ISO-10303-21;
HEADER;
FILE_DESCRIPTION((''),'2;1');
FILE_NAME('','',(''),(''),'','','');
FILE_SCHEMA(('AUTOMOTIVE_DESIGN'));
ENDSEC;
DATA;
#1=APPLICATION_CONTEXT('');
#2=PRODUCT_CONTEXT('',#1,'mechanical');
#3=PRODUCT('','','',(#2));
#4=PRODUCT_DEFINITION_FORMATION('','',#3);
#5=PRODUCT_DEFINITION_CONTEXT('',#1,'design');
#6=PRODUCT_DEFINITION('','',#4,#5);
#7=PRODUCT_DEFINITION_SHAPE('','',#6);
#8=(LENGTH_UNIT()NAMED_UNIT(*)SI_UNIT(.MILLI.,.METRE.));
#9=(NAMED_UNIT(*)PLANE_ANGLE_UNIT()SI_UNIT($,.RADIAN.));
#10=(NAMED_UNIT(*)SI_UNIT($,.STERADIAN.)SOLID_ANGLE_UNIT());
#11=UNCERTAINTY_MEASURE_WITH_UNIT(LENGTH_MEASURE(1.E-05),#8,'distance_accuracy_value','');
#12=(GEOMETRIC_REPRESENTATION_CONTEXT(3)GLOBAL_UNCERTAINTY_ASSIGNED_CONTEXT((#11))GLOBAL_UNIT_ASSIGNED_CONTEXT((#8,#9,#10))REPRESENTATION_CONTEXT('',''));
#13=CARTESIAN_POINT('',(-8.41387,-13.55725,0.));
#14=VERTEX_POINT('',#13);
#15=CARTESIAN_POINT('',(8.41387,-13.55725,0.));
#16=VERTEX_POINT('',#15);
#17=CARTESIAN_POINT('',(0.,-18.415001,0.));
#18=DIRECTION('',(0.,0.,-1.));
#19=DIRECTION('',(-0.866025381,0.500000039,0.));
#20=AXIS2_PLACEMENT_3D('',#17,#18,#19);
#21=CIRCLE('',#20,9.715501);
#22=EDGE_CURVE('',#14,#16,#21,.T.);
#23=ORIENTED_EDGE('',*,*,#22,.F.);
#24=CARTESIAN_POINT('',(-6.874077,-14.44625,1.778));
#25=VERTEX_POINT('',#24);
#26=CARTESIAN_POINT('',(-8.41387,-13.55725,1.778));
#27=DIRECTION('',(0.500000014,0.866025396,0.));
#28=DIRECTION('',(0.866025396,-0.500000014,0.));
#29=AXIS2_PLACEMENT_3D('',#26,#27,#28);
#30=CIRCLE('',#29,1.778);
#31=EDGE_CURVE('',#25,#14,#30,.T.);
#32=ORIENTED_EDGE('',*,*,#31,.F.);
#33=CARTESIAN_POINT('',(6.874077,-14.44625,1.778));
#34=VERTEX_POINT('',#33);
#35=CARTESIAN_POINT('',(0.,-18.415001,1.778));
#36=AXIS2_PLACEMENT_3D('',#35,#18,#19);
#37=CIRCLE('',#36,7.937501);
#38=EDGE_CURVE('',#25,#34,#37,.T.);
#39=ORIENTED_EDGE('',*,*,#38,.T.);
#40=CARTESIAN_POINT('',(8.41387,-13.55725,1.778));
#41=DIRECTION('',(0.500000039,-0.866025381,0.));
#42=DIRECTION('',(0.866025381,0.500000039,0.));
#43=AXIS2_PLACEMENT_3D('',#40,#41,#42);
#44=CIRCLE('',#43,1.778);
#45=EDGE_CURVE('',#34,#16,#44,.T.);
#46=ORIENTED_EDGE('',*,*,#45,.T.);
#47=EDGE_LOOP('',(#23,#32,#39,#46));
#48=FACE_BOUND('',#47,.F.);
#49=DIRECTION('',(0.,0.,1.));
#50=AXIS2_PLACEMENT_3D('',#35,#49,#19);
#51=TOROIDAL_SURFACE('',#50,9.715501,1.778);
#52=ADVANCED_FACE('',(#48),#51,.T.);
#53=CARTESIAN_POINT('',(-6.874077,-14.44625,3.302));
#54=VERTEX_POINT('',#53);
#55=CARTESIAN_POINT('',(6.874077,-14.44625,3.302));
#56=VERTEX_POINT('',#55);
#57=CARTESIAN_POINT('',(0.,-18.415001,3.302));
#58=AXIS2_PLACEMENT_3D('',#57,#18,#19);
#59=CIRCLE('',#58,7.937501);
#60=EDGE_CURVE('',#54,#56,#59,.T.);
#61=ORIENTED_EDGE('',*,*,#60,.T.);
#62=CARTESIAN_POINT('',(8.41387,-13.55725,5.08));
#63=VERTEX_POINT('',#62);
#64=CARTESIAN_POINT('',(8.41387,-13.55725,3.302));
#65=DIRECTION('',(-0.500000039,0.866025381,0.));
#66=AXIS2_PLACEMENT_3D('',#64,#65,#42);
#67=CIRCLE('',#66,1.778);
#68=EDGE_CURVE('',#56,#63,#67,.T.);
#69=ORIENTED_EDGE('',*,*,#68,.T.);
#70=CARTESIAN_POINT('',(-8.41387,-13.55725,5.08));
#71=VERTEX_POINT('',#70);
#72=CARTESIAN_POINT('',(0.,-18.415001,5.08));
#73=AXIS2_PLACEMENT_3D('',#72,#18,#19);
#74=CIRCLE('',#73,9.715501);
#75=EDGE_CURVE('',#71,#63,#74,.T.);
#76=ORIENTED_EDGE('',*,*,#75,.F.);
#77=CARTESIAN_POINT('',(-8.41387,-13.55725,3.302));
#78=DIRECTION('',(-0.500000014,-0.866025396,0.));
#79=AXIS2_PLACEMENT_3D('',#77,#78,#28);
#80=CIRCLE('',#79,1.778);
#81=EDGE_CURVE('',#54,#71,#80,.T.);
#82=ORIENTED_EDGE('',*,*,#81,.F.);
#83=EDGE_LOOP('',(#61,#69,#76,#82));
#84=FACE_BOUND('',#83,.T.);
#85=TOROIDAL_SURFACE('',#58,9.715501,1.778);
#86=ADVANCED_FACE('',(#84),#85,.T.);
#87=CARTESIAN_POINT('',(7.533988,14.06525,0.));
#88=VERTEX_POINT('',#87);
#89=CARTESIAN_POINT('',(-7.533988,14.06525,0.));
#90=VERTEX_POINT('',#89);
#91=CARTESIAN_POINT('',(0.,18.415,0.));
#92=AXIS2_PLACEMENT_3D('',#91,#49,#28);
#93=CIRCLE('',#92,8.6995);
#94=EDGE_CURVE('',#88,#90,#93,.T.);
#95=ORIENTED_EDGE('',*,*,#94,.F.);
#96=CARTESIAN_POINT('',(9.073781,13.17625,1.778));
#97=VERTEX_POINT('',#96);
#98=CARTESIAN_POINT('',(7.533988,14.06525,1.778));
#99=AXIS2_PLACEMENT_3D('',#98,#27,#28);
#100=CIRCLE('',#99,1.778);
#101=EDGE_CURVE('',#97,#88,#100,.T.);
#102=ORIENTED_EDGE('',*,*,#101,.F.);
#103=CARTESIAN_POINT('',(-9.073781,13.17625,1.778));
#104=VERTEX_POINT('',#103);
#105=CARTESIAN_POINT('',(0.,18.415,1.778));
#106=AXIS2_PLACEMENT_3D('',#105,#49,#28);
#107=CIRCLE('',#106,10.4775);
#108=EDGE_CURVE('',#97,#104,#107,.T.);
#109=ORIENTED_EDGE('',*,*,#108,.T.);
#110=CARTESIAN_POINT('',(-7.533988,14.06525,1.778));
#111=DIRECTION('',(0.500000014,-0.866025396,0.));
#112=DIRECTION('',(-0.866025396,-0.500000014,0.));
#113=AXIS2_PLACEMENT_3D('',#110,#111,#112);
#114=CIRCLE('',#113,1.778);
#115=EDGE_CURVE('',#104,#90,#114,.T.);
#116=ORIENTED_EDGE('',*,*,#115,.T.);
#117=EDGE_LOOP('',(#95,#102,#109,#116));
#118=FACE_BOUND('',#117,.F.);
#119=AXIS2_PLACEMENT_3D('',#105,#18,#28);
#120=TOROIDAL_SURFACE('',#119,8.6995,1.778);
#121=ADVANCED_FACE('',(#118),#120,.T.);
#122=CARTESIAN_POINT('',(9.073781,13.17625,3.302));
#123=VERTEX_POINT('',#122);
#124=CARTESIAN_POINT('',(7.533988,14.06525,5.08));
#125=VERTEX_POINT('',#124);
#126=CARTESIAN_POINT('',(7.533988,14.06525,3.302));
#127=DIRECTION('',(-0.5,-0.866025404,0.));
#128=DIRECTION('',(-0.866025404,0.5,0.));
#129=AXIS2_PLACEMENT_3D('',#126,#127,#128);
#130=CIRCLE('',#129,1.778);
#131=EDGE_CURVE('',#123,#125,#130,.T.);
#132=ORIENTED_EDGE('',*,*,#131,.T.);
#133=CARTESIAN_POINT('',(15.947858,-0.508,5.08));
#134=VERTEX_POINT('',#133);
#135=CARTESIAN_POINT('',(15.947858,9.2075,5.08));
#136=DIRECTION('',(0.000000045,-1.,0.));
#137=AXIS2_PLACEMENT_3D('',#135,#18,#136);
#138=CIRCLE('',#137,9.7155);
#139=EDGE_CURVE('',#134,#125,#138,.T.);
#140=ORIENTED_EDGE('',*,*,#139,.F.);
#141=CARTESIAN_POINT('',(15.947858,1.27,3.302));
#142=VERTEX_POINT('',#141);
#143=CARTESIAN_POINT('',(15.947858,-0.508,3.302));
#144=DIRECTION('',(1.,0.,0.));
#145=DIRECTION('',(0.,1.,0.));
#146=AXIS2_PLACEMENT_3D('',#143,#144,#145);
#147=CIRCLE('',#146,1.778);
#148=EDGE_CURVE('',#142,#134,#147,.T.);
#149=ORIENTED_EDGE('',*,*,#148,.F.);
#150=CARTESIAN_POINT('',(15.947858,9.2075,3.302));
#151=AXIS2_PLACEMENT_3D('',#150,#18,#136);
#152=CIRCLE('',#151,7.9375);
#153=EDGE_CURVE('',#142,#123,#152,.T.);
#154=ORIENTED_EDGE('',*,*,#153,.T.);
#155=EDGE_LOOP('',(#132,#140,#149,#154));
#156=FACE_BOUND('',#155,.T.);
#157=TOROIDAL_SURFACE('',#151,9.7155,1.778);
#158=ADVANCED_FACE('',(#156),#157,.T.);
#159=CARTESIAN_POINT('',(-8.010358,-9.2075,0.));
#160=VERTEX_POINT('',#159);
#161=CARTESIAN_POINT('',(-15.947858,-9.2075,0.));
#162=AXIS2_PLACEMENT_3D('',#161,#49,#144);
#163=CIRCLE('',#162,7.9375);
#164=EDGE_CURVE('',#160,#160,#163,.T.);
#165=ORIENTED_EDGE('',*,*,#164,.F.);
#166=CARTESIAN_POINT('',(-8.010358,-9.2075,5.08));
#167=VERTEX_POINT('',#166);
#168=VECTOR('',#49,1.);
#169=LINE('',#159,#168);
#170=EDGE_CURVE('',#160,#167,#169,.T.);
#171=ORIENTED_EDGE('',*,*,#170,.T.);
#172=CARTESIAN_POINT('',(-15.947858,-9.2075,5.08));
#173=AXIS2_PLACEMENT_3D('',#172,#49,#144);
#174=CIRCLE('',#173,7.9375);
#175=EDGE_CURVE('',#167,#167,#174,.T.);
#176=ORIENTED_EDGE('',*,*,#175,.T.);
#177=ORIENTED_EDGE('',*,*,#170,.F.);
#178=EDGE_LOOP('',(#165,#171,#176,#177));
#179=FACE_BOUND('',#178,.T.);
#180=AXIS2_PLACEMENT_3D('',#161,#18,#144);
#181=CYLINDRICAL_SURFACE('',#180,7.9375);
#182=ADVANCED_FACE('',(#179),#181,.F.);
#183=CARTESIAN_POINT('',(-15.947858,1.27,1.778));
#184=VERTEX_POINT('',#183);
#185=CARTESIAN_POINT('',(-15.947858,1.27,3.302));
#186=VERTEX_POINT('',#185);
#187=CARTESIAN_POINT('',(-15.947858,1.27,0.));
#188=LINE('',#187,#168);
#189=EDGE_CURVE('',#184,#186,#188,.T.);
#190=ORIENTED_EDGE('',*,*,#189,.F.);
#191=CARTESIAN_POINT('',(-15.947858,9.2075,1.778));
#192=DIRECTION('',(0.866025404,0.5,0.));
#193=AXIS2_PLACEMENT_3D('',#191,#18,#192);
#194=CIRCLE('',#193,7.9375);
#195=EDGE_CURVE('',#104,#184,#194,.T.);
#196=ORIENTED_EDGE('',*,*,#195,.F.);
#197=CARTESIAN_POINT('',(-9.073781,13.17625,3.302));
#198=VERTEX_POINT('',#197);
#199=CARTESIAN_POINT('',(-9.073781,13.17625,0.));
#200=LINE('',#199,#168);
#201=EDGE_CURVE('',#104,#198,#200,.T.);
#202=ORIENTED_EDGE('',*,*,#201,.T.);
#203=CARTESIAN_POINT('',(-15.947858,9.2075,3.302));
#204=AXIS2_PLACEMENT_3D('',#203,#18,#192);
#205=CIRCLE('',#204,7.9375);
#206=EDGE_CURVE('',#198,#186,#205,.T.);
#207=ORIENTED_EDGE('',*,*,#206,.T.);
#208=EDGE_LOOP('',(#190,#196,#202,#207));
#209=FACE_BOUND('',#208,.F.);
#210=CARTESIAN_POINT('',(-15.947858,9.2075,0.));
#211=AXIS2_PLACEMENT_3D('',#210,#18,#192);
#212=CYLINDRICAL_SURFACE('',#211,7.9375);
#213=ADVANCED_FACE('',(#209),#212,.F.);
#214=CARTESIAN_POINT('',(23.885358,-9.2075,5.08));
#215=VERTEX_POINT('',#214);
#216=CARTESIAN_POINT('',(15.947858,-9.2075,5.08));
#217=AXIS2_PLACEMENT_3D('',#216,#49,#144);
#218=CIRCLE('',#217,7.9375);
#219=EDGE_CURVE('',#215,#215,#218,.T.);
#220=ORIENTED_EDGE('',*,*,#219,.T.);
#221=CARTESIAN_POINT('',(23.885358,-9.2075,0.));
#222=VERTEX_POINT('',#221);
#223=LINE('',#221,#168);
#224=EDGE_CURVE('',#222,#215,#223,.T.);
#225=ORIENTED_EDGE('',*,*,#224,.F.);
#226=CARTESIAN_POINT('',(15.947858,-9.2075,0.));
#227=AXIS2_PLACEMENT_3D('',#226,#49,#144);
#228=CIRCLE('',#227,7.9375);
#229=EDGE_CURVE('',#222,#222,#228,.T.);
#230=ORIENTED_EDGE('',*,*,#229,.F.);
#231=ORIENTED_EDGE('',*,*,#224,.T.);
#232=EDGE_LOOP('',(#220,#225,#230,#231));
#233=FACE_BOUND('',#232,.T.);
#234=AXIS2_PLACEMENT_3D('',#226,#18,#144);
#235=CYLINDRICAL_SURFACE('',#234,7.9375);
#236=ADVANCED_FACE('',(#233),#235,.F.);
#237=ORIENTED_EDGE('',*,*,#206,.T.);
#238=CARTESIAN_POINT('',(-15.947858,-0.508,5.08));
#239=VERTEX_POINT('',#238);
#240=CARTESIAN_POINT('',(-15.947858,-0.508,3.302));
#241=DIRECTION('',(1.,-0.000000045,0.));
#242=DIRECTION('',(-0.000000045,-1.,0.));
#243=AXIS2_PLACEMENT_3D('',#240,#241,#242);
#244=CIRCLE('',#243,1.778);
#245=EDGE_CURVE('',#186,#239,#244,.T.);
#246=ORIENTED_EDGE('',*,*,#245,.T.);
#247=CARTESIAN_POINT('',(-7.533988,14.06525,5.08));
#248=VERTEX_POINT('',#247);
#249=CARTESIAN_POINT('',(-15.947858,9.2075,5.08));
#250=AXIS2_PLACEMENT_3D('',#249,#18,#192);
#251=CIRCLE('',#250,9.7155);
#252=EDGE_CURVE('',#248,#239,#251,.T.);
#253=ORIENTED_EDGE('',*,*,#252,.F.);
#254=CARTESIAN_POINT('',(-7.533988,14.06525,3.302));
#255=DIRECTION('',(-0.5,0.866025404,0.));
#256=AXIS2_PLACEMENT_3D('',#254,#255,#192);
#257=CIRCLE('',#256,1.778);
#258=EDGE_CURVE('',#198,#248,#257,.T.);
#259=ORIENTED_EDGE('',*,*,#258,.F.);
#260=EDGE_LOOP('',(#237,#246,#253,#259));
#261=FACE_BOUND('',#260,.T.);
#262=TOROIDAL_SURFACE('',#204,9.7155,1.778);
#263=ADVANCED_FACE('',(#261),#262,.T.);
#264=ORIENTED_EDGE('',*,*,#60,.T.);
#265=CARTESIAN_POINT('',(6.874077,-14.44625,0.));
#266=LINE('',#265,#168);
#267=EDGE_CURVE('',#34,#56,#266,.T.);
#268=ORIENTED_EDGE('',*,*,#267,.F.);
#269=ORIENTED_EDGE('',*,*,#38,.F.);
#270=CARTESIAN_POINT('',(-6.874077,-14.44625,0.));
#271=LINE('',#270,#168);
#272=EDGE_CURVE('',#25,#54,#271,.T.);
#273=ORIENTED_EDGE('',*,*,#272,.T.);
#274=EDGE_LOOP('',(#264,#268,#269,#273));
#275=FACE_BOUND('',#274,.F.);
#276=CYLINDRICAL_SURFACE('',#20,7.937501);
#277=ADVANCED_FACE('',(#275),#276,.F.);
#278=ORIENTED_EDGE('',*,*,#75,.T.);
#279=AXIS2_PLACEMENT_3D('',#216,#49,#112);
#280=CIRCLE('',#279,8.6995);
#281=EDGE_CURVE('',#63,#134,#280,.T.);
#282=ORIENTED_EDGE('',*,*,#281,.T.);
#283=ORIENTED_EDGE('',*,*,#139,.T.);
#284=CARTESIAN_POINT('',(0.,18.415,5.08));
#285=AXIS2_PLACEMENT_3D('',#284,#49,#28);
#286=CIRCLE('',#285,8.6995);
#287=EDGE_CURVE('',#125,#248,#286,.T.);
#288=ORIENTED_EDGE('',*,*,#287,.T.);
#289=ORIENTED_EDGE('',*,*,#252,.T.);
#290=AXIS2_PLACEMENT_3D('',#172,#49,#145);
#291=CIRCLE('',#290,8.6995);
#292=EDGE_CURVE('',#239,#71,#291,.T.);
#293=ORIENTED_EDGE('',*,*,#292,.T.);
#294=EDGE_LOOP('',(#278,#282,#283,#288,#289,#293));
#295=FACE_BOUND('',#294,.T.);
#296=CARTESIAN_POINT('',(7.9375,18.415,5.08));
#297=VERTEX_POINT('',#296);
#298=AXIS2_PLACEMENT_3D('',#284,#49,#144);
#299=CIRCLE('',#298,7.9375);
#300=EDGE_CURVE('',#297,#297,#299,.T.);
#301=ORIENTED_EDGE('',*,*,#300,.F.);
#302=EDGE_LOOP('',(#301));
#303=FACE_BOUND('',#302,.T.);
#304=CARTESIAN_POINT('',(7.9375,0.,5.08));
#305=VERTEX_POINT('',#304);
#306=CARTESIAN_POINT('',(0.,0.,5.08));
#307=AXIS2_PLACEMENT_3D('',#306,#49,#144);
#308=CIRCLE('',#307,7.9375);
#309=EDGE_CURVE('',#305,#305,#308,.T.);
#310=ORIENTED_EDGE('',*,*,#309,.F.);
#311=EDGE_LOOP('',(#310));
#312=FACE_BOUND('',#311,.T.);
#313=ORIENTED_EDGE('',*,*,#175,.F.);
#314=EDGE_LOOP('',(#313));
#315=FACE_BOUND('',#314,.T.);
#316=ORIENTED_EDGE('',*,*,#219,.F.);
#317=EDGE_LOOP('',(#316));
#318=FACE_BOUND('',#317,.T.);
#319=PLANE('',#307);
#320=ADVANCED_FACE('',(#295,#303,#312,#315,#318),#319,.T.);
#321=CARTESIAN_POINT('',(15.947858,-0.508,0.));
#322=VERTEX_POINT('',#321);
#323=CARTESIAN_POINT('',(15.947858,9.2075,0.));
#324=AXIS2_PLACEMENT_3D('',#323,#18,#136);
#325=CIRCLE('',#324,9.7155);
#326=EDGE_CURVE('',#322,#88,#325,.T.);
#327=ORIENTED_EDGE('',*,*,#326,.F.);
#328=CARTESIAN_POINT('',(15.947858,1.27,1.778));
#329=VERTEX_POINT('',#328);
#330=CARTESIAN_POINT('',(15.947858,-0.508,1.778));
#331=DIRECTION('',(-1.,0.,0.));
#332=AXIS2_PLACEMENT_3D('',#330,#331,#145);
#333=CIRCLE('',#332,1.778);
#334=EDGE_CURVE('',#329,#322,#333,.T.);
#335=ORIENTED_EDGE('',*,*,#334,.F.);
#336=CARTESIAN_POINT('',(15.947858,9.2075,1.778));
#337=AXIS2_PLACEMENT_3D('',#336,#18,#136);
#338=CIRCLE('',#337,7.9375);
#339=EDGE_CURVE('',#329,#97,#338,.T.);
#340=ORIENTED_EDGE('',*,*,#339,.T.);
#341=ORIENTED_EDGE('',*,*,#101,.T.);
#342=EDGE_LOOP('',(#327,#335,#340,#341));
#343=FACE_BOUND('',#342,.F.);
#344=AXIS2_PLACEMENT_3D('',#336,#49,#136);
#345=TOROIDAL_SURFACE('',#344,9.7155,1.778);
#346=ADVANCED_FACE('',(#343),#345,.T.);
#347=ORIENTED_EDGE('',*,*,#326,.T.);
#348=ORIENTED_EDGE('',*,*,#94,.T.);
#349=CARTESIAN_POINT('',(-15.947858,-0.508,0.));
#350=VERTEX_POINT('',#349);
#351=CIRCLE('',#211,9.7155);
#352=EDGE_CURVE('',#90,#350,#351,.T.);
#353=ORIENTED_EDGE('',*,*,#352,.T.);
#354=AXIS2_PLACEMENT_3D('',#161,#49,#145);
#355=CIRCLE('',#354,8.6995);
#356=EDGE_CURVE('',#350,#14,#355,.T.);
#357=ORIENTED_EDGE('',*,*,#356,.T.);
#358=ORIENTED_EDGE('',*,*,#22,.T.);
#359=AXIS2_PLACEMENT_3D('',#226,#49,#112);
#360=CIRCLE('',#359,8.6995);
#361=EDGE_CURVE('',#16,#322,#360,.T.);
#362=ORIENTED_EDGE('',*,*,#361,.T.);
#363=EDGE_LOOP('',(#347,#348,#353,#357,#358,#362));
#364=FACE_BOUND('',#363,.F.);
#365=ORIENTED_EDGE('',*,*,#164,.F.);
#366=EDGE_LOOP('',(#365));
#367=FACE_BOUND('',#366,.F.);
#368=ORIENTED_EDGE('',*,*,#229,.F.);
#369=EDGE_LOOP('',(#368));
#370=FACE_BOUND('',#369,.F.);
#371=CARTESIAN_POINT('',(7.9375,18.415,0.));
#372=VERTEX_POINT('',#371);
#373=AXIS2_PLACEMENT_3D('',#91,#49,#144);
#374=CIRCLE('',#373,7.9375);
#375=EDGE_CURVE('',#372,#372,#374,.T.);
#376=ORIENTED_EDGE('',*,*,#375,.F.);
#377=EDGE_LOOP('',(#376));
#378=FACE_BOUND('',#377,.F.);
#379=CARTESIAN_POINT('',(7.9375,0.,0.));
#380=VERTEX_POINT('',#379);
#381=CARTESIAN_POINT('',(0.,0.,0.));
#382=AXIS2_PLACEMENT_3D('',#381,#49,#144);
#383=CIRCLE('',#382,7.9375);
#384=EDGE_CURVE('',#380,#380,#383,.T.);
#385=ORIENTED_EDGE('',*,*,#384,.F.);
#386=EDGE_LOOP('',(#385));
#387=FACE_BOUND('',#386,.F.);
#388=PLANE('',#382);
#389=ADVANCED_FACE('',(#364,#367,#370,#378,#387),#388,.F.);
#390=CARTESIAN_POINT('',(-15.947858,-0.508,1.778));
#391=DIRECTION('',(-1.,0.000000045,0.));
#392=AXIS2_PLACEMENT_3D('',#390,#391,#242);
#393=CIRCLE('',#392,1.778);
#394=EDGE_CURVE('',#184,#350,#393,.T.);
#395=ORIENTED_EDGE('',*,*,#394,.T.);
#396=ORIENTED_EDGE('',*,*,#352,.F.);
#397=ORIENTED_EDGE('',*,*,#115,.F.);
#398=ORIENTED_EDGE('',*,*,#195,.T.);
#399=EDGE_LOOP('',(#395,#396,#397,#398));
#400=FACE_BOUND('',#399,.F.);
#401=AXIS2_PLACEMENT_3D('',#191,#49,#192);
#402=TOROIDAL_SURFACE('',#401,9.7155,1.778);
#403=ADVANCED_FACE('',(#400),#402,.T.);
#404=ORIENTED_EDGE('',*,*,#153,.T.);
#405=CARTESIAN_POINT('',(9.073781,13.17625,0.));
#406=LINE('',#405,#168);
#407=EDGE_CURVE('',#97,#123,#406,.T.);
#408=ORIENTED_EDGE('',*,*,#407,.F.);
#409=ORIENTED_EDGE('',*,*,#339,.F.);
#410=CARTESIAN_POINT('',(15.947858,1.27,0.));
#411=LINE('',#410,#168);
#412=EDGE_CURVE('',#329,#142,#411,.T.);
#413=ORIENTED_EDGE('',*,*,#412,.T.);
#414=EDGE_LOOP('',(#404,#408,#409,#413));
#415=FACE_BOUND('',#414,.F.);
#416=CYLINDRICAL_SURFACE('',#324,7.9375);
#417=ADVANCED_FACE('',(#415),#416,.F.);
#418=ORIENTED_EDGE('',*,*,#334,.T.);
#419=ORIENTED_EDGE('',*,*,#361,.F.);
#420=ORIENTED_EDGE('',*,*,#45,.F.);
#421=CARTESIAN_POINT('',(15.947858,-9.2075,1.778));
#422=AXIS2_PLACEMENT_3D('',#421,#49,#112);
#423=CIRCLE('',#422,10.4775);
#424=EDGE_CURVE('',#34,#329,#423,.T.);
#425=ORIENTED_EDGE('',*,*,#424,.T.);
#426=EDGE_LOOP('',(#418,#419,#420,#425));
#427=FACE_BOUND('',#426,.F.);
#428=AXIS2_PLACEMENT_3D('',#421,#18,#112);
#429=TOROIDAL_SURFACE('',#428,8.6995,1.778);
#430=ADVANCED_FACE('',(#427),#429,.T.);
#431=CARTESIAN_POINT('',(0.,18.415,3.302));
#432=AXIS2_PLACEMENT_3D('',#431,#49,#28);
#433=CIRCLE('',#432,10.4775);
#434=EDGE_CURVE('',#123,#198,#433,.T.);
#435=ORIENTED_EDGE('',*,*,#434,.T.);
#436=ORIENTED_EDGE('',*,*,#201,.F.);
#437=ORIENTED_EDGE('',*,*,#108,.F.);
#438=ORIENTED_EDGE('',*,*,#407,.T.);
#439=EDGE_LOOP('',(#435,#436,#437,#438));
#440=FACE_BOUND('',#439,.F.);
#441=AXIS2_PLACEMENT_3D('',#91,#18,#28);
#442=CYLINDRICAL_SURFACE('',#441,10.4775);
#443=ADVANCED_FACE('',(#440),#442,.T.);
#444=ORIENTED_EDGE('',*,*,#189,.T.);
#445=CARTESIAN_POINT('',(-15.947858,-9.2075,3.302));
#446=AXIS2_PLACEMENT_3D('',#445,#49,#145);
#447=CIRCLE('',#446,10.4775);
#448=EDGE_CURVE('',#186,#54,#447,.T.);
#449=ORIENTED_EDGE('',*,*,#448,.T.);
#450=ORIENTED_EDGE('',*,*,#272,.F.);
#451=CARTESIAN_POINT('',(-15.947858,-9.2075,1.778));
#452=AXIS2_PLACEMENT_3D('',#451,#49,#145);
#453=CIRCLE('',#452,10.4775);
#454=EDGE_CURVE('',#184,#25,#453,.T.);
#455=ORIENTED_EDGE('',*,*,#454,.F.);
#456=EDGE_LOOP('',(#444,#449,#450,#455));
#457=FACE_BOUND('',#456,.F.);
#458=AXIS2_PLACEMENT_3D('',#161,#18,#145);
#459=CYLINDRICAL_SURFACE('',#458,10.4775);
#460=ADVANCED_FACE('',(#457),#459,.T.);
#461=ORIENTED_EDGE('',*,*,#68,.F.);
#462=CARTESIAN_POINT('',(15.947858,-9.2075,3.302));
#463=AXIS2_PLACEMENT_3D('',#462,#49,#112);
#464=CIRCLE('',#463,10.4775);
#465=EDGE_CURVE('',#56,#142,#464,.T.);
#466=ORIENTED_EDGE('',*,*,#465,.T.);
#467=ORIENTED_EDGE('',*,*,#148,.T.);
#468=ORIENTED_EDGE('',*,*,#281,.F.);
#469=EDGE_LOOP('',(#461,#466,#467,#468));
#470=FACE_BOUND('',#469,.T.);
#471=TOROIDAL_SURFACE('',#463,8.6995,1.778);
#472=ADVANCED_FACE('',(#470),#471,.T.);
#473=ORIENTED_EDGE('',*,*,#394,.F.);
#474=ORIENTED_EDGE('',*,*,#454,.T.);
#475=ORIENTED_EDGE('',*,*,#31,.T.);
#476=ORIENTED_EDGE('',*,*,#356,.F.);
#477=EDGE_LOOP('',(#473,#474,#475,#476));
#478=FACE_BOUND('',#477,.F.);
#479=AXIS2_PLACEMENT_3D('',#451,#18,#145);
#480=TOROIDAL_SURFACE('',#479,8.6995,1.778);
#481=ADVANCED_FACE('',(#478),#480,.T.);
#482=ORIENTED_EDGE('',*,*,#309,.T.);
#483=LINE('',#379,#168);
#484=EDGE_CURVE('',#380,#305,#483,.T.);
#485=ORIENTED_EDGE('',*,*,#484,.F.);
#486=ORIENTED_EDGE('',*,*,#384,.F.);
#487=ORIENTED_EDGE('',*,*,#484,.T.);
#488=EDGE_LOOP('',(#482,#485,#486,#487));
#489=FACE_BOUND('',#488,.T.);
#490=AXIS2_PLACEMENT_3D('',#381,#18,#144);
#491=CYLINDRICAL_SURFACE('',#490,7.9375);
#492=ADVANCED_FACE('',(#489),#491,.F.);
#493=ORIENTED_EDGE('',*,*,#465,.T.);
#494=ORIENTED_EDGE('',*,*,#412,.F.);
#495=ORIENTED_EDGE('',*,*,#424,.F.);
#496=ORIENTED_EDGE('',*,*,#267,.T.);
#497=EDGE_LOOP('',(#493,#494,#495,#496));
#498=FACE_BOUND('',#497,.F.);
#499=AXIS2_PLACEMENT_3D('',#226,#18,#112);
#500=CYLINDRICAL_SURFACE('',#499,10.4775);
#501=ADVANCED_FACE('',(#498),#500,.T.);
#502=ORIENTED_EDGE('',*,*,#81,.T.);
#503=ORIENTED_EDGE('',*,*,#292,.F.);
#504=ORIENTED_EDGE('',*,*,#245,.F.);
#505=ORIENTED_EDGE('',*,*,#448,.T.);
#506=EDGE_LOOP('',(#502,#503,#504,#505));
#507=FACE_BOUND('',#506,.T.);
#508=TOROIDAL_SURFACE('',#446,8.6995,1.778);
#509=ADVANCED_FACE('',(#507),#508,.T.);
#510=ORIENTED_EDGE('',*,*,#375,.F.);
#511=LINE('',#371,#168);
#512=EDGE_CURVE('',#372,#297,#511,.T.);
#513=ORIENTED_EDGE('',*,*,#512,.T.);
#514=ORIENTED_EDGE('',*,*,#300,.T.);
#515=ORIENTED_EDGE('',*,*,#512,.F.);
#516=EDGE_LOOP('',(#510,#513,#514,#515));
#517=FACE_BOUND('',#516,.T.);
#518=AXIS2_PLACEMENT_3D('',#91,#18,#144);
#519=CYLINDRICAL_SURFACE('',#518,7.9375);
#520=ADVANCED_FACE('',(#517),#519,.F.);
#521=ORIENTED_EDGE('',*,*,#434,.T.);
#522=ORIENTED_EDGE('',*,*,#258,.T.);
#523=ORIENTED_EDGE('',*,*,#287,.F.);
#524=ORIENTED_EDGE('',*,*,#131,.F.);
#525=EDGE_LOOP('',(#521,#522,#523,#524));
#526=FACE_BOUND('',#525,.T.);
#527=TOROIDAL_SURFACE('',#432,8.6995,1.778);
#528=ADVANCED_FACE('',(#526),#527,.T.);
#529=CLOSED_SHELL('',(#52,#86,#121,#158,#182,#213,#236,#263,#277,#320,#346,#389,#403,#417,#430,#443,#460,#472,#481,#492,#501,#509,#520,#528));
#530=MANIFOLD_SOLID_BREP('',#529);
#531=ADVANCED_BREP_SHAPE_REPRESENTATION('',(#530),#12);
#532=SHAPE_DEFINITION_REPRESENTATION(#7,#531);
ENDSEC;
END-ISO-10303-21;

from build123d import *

# Parameters (mm, degrees)
F0_R     = 7.9375
F1_DEPTH = 5.08
F2_R     = 1.778


with BuildPart() as f1:
    # F0 (on Top) → F1 (new body)
    with BuildSketch(Plane.XY):
        with BuildLine():
            ThreePointArc((15.947858, 1.27), (9.073781, 5.23875), (9.073781, 13.17625))
            ThreePointArc((9.073781, 13.17625), (0, 28.8925), (-9.073781, 13.17625))
            ThreePointArc((-9.073781, 13.17625), (-9.073781, 5.23875), (-15.947858, 1.27))
            ThreePointArc((-15.947858, 1.27), (-25.021639, -14.44625), (-6.874077, -14.44625))
            ThreePointArc((-6.874077, -14.44625), (0, -10.4775), (6.874077, -14.44625))
            ThreePointArc((6.874077, -14.44625), (25.021639, -14.44625), (15.947858, 1.27))
        make_face()
        with Locations((-15.947858, -9.2075)):
            Circle(F0_R, mode=Mode.SUBTRACT)
        with Locations((15.947858, -9.2075)):
            Circle(F0_R, mode=Mode.SUBTRACT)
        Circle(F0_R, mode=Mode.SUBTRACT)
        with Locations((0, 18.415)):
            Circle(F0_R, mode=Mode.SUBTRACT)
    extrude(amount=F1_DEPTH)

    # F2
    f2_edges = [f1.edges().sort_by_distance(p)[0] for p in [
        (-9.073781, 5.23875, 5.08),
        (0, 28.8925, 0),
    ]]
    fillet(f2_edges, radius=F2_R)


solid = f1.part
